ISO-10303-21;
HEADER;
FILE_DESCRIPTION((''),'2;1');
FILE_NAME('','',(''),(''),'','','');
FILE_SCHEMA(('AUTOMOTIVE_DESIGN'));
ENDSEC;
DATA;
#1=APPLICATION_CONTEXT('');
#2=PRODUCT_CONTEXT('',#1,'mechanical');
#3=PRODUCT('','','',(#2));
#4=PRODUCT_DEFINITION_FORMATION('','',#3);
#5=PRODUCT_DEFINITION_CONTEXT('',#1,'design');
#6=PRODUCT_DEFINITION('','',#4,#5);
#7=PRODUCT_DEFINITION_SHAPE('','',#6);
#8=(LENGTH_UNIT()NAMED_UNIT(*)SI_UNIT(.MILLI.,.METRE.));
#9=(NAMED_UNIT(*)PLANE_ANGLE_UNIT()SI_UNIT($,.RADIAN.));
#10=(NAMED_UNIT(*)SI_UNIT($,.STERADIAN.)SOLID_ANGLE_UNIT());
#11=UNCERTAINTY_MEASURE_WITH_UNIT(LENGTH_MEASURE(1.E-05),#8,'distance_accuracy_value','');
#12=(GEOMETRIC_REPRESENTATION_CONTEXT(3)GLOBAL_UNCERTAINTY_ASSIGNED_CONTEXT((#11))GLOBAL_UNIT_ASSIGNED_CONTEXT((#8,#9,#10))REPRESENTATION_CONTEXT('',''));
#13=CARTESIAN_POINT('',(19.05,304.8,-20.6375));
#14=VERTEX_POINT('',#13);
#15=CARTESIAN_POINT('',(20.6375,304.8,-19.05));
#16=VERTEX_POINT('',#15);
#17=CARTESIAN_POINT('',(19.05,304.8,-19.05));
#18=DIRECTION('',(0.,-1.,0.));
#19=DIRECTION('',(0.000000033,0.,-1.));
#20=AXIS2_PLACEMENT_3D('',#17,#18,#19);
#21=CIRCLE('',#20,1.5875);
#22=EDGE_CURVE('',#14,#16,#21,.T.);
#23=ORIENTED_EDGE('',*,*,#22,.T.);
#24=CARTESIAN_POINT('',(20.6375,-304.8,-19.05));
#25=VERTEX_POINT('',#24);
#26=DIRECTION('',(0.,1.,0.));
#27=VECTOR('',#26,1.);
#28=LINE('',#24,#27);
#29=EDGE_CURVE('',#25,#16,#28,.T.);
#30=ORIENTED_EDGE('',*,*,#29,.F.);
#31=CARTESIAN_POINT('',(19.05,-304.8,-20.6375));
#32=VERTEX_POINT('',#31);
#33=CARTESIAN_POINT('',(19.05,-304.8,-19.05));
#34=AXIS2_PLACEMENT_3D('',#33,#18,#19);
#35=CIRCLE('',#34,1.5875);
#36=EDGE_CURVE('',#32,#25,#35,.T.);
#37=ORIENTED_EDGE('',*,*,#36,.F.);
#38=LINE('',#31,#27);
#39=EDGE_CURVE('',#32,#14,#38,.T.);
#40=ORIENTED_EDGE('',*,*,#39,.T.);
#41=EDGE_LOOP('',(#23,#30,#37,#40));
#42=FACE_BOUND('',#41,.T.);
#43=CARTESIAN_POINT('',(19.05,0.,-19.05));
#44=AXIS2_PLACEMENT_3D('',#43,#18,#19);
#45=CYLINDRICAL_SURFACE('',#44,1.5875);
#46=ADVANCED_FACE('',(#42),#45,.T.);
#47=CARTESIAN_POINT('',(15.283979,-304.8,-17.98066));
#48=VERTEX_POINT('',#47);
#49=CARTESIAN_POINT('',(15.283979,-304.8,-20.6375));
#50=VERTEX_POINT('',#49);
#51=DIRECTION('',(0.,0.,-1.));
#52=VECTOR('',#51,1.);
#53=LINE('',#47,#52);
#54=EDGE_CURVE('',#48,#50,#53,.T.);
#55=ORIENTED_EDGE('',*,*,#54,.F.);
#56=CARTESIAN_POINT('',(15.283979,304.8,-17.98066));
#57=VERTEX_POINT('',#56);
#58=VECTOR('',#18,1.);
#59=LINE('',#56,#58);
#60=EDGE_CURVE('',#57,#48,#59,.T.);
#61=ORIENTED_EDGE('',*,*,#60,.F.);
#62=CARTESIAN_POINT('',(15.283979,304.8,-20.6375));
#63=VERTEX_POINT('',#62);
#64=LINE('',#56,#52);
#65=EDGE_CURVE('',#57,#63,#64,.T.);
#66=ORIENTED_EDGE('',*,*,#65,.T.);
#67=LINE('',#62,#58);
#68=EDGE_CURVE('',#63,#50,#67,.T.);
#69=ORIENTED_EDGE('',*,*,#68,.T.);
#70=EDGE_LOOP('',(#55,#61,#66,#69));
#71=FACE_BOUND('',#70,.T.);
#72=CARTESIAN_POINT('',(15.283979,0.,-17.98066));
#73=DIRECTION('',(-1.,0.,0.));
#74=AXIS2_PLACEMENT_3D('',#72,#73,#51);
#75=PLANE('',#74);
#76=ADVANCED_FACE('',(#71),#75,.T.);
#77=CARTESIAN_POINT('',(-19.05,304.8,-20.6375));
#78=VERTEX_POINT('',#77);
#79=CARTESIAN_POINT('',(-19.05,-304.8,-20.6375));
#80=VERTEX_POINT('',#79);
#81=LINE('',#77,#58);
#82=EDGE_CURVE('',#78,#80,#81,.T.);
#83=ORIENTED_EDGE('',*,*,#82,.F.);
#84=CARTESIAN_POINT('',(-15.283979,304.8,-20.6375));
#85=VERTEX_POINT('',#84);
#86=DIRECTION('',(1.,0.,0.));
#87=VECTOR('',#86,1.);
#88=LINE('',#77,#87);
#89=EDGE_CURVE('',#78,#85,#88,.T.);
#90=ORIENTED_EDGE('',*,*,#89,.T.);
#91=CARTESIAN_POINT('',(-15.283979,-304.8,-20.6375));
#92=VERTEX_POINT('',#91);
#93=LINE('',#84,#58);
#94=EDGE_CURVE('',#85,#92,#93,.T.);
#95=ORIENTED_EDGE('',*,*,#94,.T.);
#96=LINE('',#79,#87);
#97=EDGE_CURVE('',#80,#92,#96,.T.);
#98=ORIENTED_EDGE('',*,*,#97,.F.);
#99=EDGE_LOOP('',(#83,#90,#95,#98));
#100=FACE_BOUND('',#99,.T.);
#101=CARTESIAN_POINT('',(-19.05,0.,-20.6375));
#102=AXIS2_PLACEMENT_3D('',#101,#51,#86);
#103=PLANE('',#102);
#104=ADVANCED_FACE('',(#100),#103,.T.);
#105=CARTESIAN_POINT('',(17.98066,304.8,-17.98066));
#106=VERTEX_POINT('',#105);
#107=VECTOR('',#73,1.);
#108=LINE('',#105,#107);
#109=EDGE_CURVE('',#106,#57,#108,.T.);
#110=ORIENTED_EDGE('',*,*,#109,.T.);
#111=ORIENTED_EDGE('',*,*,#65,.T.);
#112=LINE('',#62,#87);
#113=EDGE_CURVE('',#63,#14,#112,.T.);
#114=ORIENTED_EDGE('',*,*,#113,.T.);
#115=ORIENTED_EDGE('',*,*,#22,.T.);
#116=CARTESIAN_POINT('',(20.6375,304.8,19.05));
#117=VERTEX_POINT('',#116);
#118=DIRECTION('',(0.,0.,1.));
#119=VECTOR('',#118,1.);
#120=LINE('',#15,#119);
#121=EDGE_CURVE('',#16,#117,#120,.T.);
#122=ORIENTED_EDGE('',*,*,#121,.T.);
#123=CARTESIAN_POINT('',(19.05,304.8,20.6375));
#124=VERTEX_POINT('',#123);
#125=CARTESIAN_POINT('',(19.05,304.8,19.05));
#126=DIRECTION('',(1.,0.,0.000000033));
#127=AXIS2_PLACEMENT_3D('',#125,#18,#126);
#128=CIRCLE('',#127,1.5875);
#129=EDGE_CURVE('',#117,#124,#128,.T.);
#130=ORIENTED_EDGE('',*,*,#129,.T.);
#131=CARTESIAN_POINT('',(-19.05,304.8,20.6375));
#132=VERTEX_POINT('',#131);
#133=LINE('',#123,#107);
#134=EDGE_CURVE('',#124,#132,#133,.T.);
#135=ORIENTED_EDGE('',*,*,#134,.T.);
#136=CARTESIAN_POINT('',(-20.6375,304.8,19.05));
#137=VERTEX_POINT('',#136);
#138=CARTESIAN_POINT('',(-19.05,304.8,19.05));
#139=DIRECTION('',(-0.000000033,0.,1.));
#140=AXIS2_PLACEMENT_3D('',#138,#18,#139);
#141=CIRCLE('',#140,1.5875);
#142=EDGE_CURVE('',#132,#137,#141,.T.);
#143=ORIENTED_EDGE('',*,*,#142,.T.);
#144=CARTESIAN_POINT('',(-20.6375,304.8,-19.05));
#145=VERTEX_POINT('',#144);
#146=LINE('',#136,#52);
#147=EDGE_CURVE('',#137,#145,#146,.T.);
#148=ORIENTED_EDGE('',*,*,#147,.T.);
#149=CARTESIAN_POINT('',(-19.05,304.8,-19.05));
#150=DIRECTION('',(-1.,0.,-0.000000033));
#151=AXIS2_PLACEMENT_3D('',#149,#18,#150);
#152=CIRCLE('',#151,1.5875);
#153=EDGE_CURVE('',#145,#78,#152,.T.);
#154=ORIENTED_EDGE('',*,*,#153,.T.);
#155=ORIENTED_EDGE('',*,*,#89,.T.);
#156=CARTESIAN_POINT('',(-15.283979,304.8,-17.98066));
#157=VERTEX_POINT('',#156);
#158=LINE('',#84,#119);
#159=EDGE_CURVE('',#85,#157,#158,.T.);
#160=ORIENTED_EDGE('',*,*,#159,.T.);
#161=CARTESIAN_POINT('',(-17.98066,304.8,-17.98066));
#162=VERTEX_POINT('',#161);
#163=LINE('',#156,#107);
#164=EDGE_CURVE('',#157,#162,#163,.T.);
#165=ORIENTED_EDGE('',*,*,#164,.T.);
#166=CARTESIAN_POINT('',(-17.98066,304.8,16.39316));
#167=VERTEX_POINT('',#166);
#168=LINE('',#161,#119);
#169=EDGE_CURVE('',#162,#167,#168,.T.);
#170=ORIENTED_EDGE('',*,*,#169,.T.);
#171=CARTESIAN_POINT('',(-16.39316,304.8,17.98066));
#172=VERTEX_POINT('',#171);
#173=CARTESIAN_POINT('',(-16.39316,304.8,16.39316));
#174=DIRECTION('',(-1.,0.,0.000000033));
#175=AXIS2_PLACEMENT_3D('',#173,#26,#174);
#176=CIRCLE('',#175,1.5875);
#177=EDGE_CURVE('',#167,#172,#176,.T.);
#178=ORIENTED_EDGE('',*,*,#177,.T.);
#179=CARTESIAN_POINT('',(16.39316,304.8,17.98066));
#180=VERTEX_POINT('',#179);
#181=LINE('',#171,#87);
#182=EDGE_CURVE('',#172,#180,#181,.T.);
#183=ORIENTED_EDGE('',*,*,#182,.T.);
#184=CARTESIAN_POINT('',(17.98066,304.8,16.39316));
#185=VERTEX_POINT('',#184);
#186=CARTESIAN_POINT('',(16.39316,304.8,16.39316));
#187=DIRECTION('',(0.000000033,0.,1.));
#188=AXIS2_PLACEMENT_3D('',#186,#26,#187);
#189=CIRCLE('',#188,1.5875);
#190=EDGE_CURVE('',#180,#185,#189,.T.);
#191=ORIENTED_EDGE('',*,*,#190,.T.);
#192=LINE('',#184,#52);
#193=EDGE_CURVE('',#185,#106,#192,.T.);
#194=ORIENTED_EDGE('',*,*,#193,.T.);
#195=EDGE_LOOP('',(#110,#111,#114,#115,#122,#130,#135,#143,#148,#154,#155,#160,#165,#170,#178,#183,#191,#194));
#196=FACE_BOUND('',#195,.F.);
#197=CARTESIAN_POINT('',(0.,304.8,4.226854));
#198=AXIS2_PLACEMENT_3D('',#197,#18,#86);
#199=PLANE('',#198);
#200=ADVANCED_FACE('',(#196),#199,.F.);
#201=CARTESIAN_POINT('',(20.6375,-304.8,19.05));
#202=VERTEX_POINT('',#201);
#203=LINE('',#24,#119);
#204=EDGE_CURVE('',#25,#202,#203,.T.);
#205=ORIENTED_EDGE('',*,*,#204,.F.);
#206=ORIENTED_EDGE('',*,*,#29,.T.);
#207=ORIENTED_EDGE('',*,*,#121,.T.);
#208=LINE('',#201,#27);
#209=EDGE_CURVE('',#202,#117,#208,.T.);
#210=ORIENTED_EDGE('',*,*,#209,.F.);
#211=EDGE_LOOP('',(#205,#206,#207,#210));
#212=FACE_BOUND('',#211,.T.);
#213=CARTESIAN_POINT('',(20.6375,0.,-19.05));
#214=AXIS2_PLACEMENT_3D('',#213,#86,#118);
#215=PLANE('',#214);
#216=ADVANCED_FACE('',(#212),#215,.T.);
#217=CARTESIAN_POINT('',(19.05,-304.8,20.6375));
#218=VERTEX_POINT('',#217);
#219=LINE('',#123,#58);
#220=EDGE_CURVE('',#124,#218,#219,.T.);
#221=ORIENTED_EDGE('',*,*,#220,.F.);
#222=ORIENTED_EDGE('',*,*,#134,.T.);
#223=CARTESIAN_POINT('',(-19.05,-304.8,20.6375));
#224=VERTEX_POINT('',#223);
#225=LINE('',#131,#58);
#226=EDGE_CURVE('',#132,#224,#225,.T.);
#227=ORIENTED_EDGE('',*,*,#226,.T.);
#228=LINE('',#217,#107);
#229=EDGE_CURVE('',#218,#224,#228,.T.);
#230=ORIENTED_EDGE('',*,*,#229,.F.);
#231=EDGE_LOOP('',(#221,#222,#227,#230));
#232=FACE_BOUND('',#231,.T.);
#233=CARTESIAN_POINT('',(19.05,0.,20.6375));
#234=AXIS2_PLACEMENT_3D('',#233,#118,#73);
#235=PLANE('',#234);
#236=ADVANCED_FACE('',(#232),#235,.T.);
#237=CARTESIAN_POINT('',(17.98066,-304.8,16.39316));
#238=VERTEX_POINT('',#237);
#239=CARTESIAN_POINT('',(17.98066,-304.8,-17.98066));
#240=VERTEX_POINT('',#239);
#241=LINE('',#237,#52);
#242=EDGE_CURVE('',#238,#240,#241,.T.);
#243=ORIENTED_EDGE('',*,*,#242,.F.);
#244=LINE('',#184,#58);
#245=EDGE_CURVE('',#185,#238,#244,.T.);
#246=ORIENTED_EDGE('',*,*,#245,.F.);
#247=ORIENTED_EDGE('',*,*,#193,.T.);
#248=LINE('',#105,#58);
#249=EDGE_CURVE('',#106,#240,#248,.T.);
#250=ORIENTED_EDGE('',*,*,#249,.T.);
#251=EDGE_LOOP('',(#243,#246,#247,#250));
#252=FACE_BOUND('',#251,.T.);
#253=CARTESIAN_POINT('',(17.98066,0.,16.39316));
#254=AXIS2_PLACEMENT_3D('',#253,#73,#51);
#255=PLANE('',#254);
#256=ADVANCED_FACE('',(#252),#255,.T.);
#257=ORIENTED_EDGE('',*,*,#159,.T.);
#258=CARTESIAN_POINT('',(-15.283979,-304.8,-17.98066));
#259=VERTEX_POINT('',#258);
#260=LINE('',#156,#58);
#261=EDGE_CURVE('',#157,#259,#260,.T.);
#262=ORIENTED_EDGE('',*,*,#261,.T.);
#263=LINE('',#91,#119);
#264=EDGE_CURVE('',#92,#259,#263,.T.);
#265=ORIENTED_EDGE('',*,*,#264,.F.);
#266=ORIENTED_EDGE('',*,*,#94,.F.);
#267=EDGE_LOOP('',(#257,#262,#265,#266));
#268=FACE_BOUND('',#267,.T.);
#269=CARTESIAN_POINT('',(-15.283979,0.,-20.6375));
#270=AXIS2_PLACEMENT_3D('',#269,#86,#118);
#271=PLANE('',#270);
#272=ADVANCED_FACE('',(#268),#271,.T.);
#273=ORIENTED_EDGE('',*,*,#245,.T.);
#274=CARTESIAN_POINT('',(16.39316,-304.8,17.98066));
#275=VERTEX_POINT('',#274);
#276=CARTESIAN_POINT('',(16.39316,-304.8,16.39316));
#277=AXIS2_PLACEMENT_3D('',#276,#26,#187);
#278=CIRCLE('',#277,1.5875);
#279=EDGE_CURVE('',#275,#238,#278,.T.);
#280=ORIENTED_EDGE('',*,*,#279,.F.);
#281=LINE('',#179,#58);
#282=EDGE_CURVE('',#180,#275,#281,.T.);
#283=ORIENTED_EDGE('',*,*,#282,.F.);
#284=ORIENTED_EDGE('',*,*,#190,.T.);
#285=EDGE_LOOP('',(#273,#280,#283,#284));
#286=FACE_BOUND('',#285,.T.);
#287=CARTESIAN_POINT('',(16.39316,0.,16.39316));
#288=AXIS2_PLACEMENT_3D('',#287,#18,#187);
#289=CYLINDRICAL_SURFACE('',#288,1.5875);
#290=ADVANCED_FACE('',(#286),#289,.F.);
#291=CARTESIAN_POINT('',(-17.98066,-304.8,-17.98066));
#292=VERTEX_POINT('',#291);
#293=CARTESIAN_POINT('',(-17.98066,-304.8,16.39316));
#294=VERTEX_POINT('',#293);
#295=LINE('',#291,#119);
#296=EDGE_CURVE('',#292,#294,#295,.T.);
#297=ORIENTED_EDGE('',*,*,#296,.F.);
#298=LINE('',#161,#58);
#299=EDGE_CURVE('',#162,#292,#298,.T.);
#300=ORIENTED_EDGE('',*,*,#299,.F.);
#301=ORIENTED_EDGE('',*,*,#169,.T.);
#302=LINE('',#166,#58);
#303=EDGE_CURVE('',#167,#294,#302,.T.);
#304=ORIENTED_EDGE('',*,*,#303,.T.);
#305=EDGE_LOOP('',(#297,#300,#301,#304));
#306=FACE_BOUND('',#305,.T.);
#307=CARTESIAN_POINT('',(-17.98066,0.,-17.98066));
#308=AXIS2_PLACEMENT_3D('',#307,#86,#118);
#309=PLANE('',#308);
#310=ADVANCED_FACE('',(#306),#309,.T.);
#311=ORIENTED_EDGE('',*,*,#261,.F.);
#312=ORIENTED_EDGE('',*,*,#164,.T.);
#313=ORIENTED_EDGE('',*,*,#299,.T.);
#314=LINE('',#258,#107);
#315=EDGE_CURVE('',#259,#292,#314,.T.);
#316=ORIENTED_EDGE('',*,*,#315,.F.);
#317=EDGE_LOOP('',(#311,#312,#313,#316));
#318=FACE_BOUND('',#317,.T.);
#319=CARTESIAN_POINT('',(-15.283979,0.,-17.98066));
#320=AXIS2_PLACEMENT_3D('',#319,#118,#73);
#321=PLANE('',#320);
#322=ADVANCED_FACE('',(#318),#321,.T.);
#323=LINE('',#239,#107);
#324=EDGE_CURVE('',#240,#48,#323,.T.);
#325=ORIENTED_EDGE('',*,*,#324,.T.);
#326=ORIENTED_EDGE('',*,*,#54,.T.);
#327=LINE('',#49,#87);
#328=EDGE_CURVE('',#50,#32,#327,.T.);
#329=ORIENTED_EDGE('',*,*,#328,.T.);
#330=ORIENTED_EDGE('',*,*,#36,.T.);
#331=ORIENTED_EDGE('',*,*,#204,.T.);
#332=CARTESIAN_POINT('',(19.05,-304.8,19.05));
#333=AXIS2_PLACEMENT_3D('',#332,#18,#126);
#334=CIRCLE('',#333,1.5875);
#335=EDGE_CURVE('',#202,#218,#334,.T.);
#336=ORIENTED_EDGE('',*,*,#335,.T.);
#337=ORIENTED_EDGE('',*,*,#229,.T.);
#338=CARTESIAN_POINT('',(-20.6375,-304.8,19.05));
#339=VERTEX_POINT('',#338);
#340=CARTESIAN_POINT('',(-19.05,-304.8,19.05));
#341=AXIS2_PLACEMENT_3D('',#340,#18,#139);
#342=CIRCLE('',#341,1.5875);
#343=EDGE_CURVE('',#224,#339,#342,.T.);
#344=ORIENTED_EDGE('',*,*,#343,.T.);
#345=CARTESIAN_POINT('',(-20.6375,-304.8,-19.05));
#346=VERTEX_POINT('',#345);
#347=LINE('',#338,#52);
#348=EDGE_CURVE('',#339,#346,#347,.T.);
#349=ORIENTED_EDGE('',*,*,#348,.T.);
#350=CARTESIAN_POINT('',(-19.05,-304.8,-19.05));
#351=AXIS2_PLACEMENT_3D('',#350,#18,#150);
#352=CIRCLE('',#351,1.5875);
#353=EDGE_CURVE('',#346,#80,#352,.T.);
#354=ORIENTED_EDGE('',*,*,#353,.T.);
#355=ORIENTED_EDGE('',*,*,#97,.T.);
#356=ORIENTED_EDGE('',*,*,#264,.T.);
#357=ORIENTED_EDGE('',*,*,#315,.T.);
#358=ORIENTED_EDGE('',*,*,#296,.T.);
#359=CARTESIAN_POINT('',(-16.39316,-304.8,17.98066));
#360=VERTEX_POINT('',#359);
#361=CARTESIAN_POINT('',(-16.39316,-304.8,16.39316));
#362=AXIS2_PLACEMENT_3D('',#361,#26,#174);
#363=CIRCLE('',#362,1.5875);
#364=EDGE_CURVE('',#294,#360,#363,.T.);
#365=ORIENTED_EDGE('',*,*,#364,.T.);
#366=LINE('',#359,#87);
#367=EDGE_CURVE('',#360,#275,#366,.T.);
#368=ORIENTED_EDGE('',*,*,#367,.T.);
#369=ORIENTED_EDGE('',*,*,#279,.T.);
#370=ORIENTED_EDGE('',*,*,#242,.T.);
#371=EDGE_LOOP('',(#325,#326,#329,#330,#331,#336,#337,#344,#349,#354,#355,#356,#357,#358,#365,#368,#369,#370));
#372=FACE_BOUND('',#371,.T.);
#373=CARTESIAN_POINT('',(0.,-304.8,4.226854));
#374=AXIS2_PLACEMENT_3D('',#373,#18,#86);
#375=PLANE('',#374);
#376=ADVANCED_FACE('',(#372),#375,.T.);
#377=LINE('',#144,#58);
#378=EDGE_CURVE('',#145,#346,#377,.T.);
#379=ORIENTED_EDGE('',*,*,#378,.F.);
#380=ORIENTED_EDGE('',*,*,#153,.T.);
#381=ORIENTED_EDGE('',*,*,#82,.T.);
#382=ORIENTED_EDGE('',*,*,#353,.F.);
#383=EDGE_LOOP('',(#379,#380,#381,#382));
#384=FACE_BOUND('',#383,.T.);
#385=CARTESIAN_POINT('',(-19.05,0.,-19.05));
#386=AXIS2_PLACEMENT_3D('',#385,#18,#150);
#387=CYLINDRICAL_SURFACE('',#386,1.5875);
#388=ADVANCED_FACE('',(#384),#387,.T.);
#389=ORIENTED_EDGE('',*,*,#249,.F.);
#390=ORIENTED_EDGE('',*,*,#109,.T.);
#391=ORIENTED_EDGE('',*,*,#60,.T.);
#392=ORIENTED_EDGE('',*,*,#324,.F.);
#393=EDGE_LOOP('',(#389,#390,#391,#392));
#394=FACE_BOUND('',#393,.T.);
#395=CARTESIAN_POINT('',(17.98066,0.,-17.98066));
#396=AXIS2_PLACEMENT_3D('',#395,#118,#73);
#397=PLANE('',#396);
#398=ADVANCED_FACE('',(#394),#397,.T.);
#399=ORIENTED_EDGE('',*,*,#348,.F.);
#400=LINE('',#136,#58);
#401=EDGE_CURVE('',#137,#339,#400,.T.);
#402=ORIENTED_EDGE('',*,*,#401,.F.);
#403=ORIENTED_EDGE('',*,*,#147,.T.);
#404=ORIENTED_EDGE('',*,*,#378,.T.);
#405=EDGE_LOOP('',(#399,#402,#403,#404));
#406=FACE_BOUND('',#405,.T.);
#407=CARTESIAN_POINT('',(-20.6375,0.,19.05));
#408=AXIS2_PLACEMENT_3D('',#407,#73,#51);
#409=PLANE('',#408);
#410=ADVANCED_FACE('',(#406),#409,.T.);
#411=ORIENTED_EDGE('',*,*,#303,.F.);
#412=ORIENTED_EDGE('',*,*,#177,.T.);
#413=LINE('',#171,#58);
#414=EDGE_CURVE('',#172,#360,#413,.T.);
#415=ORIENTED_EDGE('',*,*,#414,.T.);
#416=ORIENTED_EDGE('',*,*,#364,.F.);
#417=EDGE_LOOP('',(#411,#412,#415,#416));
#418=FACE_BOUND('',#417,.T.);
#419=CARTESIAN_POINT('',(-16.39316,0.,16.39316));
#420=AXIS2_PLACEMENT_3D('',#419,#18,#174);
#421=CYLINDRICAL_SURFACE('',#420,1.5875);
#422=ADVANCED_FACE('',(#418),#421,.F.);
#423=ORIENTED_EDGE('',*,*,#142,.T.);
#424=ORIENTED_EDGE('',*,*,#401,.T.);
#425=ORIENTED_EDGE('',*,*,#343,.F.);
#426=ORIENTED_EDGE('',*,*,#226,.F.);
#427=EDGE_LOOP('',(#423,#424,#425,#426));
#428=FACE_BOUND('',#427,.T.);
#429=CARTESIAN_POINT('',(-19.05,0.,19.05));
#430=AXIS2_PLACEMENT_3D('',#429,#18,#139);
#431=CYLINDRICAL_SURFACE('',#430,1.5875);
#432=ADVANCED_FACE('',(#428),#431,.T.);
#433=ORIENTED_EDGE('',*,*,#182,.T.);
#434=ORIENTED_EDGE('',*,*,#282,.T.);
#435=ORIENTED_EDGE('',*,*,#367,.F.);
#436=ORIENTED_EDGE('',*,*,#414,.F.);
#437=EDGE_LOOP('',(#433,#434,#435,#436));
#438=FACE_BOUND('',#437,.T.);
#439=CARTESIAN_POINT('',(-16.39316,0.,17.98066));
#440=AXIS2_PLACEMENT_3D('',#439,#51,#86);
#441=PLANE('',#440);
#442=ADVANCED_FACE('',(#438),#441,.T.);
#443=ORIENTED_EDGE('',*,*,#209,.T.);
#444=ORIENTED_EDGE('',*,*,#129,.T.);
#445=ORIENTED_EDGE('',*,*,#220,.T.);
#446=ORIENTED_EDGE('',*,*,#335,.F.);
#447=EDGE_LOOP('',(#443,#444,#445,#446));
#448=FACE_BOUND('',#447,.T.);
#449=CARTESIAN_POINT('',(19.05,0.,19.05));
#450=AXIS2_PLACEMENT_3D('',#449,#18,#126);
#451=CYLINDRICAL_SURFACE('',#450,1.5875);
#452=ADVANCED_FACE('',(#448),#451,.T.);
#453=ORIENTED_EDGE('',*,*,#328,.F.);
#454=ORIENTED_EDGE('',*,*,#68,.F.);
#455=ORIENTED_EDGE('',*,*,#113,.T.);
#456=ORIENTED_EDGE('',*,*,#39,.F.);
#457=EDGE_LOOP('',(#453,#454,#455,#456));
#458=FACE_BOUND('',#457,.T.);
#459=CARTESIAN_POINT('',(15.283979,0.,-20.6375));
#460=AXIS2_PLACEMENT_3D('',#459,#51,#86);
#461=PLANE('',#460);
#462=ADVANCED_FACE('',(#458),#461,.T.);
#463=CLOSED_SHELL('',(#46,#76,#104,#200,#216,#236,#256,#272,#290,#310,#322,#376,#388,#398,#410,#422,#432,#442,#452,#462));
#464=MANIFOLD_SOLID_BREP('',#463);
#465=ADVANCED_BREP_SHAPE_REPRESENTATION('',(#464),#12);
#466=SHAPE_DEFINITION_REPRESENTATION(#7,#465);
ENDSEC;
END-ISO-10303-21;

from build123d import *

# Parameters (mm, degrees)
F1_DEPTH = 304.8


with BuildPart() as f1:
    # F0 (on Front) → F1 (new body, symmetric)
    with BuildSketch(Plane.XZ):
        with BuildLine():
            ThreePointArc((20.6375, 19.05), (20.172532, 20.172532), (19.05, 20.6375))
            Line((19.05, 20.6375), (-19.05, 20.6375))
            ThreePointArc((-19.05, 20.6375), (-20.172532, 20.172532), (-20.6375, 19.05))
            Line((-20.6375, 19.05), (-20.6375, -19.05))
            ThreePointArc((-20.6375, -19.05), (-20.172532, -20.172532), (-19.05, -20.6375))
            Line((-19.05, -20.6375), (-15.283979, -20.6375))
            Line((-15.283979, -20.6375), (-15.283979, -17.98066))
            Line((-15.283979, -17.98066), (-17.98066, -17.98066))
            Line((-17.98066, -17.98066), (-17.98066, 16.39316))
            ThreePointArc((-17.98066, 16.39316), (-17.515692, 17.515692), (-16.39316, 17.98066))
            Line((-16.39316, 17.98066), (16.39316, 17.98066))
            ThreePointArc((16.39316, 17.98066), (17.515692, 17.515692), (17.98066, 16.39316))
            Line((17.98066, 16.39316), (17.98066, -17.98066))
            Line((17.98066, -17.98066), (15.283979, -17.98066))
            Line((15.283979, -17.98066), (15.283979, -20.6375))
            Line((15.283979, -20.6375), (19.05, -20.6375))
            ThreePointArc((19.05, -20.6375), (20.172532, -20.172532), (20.6375, -19.05))
            Line((20.6375, -19.05), (20.6375, 19.05))
        make_face()
    extrude(amount=F1_DEPTH, both=True)


solid = f1.part
